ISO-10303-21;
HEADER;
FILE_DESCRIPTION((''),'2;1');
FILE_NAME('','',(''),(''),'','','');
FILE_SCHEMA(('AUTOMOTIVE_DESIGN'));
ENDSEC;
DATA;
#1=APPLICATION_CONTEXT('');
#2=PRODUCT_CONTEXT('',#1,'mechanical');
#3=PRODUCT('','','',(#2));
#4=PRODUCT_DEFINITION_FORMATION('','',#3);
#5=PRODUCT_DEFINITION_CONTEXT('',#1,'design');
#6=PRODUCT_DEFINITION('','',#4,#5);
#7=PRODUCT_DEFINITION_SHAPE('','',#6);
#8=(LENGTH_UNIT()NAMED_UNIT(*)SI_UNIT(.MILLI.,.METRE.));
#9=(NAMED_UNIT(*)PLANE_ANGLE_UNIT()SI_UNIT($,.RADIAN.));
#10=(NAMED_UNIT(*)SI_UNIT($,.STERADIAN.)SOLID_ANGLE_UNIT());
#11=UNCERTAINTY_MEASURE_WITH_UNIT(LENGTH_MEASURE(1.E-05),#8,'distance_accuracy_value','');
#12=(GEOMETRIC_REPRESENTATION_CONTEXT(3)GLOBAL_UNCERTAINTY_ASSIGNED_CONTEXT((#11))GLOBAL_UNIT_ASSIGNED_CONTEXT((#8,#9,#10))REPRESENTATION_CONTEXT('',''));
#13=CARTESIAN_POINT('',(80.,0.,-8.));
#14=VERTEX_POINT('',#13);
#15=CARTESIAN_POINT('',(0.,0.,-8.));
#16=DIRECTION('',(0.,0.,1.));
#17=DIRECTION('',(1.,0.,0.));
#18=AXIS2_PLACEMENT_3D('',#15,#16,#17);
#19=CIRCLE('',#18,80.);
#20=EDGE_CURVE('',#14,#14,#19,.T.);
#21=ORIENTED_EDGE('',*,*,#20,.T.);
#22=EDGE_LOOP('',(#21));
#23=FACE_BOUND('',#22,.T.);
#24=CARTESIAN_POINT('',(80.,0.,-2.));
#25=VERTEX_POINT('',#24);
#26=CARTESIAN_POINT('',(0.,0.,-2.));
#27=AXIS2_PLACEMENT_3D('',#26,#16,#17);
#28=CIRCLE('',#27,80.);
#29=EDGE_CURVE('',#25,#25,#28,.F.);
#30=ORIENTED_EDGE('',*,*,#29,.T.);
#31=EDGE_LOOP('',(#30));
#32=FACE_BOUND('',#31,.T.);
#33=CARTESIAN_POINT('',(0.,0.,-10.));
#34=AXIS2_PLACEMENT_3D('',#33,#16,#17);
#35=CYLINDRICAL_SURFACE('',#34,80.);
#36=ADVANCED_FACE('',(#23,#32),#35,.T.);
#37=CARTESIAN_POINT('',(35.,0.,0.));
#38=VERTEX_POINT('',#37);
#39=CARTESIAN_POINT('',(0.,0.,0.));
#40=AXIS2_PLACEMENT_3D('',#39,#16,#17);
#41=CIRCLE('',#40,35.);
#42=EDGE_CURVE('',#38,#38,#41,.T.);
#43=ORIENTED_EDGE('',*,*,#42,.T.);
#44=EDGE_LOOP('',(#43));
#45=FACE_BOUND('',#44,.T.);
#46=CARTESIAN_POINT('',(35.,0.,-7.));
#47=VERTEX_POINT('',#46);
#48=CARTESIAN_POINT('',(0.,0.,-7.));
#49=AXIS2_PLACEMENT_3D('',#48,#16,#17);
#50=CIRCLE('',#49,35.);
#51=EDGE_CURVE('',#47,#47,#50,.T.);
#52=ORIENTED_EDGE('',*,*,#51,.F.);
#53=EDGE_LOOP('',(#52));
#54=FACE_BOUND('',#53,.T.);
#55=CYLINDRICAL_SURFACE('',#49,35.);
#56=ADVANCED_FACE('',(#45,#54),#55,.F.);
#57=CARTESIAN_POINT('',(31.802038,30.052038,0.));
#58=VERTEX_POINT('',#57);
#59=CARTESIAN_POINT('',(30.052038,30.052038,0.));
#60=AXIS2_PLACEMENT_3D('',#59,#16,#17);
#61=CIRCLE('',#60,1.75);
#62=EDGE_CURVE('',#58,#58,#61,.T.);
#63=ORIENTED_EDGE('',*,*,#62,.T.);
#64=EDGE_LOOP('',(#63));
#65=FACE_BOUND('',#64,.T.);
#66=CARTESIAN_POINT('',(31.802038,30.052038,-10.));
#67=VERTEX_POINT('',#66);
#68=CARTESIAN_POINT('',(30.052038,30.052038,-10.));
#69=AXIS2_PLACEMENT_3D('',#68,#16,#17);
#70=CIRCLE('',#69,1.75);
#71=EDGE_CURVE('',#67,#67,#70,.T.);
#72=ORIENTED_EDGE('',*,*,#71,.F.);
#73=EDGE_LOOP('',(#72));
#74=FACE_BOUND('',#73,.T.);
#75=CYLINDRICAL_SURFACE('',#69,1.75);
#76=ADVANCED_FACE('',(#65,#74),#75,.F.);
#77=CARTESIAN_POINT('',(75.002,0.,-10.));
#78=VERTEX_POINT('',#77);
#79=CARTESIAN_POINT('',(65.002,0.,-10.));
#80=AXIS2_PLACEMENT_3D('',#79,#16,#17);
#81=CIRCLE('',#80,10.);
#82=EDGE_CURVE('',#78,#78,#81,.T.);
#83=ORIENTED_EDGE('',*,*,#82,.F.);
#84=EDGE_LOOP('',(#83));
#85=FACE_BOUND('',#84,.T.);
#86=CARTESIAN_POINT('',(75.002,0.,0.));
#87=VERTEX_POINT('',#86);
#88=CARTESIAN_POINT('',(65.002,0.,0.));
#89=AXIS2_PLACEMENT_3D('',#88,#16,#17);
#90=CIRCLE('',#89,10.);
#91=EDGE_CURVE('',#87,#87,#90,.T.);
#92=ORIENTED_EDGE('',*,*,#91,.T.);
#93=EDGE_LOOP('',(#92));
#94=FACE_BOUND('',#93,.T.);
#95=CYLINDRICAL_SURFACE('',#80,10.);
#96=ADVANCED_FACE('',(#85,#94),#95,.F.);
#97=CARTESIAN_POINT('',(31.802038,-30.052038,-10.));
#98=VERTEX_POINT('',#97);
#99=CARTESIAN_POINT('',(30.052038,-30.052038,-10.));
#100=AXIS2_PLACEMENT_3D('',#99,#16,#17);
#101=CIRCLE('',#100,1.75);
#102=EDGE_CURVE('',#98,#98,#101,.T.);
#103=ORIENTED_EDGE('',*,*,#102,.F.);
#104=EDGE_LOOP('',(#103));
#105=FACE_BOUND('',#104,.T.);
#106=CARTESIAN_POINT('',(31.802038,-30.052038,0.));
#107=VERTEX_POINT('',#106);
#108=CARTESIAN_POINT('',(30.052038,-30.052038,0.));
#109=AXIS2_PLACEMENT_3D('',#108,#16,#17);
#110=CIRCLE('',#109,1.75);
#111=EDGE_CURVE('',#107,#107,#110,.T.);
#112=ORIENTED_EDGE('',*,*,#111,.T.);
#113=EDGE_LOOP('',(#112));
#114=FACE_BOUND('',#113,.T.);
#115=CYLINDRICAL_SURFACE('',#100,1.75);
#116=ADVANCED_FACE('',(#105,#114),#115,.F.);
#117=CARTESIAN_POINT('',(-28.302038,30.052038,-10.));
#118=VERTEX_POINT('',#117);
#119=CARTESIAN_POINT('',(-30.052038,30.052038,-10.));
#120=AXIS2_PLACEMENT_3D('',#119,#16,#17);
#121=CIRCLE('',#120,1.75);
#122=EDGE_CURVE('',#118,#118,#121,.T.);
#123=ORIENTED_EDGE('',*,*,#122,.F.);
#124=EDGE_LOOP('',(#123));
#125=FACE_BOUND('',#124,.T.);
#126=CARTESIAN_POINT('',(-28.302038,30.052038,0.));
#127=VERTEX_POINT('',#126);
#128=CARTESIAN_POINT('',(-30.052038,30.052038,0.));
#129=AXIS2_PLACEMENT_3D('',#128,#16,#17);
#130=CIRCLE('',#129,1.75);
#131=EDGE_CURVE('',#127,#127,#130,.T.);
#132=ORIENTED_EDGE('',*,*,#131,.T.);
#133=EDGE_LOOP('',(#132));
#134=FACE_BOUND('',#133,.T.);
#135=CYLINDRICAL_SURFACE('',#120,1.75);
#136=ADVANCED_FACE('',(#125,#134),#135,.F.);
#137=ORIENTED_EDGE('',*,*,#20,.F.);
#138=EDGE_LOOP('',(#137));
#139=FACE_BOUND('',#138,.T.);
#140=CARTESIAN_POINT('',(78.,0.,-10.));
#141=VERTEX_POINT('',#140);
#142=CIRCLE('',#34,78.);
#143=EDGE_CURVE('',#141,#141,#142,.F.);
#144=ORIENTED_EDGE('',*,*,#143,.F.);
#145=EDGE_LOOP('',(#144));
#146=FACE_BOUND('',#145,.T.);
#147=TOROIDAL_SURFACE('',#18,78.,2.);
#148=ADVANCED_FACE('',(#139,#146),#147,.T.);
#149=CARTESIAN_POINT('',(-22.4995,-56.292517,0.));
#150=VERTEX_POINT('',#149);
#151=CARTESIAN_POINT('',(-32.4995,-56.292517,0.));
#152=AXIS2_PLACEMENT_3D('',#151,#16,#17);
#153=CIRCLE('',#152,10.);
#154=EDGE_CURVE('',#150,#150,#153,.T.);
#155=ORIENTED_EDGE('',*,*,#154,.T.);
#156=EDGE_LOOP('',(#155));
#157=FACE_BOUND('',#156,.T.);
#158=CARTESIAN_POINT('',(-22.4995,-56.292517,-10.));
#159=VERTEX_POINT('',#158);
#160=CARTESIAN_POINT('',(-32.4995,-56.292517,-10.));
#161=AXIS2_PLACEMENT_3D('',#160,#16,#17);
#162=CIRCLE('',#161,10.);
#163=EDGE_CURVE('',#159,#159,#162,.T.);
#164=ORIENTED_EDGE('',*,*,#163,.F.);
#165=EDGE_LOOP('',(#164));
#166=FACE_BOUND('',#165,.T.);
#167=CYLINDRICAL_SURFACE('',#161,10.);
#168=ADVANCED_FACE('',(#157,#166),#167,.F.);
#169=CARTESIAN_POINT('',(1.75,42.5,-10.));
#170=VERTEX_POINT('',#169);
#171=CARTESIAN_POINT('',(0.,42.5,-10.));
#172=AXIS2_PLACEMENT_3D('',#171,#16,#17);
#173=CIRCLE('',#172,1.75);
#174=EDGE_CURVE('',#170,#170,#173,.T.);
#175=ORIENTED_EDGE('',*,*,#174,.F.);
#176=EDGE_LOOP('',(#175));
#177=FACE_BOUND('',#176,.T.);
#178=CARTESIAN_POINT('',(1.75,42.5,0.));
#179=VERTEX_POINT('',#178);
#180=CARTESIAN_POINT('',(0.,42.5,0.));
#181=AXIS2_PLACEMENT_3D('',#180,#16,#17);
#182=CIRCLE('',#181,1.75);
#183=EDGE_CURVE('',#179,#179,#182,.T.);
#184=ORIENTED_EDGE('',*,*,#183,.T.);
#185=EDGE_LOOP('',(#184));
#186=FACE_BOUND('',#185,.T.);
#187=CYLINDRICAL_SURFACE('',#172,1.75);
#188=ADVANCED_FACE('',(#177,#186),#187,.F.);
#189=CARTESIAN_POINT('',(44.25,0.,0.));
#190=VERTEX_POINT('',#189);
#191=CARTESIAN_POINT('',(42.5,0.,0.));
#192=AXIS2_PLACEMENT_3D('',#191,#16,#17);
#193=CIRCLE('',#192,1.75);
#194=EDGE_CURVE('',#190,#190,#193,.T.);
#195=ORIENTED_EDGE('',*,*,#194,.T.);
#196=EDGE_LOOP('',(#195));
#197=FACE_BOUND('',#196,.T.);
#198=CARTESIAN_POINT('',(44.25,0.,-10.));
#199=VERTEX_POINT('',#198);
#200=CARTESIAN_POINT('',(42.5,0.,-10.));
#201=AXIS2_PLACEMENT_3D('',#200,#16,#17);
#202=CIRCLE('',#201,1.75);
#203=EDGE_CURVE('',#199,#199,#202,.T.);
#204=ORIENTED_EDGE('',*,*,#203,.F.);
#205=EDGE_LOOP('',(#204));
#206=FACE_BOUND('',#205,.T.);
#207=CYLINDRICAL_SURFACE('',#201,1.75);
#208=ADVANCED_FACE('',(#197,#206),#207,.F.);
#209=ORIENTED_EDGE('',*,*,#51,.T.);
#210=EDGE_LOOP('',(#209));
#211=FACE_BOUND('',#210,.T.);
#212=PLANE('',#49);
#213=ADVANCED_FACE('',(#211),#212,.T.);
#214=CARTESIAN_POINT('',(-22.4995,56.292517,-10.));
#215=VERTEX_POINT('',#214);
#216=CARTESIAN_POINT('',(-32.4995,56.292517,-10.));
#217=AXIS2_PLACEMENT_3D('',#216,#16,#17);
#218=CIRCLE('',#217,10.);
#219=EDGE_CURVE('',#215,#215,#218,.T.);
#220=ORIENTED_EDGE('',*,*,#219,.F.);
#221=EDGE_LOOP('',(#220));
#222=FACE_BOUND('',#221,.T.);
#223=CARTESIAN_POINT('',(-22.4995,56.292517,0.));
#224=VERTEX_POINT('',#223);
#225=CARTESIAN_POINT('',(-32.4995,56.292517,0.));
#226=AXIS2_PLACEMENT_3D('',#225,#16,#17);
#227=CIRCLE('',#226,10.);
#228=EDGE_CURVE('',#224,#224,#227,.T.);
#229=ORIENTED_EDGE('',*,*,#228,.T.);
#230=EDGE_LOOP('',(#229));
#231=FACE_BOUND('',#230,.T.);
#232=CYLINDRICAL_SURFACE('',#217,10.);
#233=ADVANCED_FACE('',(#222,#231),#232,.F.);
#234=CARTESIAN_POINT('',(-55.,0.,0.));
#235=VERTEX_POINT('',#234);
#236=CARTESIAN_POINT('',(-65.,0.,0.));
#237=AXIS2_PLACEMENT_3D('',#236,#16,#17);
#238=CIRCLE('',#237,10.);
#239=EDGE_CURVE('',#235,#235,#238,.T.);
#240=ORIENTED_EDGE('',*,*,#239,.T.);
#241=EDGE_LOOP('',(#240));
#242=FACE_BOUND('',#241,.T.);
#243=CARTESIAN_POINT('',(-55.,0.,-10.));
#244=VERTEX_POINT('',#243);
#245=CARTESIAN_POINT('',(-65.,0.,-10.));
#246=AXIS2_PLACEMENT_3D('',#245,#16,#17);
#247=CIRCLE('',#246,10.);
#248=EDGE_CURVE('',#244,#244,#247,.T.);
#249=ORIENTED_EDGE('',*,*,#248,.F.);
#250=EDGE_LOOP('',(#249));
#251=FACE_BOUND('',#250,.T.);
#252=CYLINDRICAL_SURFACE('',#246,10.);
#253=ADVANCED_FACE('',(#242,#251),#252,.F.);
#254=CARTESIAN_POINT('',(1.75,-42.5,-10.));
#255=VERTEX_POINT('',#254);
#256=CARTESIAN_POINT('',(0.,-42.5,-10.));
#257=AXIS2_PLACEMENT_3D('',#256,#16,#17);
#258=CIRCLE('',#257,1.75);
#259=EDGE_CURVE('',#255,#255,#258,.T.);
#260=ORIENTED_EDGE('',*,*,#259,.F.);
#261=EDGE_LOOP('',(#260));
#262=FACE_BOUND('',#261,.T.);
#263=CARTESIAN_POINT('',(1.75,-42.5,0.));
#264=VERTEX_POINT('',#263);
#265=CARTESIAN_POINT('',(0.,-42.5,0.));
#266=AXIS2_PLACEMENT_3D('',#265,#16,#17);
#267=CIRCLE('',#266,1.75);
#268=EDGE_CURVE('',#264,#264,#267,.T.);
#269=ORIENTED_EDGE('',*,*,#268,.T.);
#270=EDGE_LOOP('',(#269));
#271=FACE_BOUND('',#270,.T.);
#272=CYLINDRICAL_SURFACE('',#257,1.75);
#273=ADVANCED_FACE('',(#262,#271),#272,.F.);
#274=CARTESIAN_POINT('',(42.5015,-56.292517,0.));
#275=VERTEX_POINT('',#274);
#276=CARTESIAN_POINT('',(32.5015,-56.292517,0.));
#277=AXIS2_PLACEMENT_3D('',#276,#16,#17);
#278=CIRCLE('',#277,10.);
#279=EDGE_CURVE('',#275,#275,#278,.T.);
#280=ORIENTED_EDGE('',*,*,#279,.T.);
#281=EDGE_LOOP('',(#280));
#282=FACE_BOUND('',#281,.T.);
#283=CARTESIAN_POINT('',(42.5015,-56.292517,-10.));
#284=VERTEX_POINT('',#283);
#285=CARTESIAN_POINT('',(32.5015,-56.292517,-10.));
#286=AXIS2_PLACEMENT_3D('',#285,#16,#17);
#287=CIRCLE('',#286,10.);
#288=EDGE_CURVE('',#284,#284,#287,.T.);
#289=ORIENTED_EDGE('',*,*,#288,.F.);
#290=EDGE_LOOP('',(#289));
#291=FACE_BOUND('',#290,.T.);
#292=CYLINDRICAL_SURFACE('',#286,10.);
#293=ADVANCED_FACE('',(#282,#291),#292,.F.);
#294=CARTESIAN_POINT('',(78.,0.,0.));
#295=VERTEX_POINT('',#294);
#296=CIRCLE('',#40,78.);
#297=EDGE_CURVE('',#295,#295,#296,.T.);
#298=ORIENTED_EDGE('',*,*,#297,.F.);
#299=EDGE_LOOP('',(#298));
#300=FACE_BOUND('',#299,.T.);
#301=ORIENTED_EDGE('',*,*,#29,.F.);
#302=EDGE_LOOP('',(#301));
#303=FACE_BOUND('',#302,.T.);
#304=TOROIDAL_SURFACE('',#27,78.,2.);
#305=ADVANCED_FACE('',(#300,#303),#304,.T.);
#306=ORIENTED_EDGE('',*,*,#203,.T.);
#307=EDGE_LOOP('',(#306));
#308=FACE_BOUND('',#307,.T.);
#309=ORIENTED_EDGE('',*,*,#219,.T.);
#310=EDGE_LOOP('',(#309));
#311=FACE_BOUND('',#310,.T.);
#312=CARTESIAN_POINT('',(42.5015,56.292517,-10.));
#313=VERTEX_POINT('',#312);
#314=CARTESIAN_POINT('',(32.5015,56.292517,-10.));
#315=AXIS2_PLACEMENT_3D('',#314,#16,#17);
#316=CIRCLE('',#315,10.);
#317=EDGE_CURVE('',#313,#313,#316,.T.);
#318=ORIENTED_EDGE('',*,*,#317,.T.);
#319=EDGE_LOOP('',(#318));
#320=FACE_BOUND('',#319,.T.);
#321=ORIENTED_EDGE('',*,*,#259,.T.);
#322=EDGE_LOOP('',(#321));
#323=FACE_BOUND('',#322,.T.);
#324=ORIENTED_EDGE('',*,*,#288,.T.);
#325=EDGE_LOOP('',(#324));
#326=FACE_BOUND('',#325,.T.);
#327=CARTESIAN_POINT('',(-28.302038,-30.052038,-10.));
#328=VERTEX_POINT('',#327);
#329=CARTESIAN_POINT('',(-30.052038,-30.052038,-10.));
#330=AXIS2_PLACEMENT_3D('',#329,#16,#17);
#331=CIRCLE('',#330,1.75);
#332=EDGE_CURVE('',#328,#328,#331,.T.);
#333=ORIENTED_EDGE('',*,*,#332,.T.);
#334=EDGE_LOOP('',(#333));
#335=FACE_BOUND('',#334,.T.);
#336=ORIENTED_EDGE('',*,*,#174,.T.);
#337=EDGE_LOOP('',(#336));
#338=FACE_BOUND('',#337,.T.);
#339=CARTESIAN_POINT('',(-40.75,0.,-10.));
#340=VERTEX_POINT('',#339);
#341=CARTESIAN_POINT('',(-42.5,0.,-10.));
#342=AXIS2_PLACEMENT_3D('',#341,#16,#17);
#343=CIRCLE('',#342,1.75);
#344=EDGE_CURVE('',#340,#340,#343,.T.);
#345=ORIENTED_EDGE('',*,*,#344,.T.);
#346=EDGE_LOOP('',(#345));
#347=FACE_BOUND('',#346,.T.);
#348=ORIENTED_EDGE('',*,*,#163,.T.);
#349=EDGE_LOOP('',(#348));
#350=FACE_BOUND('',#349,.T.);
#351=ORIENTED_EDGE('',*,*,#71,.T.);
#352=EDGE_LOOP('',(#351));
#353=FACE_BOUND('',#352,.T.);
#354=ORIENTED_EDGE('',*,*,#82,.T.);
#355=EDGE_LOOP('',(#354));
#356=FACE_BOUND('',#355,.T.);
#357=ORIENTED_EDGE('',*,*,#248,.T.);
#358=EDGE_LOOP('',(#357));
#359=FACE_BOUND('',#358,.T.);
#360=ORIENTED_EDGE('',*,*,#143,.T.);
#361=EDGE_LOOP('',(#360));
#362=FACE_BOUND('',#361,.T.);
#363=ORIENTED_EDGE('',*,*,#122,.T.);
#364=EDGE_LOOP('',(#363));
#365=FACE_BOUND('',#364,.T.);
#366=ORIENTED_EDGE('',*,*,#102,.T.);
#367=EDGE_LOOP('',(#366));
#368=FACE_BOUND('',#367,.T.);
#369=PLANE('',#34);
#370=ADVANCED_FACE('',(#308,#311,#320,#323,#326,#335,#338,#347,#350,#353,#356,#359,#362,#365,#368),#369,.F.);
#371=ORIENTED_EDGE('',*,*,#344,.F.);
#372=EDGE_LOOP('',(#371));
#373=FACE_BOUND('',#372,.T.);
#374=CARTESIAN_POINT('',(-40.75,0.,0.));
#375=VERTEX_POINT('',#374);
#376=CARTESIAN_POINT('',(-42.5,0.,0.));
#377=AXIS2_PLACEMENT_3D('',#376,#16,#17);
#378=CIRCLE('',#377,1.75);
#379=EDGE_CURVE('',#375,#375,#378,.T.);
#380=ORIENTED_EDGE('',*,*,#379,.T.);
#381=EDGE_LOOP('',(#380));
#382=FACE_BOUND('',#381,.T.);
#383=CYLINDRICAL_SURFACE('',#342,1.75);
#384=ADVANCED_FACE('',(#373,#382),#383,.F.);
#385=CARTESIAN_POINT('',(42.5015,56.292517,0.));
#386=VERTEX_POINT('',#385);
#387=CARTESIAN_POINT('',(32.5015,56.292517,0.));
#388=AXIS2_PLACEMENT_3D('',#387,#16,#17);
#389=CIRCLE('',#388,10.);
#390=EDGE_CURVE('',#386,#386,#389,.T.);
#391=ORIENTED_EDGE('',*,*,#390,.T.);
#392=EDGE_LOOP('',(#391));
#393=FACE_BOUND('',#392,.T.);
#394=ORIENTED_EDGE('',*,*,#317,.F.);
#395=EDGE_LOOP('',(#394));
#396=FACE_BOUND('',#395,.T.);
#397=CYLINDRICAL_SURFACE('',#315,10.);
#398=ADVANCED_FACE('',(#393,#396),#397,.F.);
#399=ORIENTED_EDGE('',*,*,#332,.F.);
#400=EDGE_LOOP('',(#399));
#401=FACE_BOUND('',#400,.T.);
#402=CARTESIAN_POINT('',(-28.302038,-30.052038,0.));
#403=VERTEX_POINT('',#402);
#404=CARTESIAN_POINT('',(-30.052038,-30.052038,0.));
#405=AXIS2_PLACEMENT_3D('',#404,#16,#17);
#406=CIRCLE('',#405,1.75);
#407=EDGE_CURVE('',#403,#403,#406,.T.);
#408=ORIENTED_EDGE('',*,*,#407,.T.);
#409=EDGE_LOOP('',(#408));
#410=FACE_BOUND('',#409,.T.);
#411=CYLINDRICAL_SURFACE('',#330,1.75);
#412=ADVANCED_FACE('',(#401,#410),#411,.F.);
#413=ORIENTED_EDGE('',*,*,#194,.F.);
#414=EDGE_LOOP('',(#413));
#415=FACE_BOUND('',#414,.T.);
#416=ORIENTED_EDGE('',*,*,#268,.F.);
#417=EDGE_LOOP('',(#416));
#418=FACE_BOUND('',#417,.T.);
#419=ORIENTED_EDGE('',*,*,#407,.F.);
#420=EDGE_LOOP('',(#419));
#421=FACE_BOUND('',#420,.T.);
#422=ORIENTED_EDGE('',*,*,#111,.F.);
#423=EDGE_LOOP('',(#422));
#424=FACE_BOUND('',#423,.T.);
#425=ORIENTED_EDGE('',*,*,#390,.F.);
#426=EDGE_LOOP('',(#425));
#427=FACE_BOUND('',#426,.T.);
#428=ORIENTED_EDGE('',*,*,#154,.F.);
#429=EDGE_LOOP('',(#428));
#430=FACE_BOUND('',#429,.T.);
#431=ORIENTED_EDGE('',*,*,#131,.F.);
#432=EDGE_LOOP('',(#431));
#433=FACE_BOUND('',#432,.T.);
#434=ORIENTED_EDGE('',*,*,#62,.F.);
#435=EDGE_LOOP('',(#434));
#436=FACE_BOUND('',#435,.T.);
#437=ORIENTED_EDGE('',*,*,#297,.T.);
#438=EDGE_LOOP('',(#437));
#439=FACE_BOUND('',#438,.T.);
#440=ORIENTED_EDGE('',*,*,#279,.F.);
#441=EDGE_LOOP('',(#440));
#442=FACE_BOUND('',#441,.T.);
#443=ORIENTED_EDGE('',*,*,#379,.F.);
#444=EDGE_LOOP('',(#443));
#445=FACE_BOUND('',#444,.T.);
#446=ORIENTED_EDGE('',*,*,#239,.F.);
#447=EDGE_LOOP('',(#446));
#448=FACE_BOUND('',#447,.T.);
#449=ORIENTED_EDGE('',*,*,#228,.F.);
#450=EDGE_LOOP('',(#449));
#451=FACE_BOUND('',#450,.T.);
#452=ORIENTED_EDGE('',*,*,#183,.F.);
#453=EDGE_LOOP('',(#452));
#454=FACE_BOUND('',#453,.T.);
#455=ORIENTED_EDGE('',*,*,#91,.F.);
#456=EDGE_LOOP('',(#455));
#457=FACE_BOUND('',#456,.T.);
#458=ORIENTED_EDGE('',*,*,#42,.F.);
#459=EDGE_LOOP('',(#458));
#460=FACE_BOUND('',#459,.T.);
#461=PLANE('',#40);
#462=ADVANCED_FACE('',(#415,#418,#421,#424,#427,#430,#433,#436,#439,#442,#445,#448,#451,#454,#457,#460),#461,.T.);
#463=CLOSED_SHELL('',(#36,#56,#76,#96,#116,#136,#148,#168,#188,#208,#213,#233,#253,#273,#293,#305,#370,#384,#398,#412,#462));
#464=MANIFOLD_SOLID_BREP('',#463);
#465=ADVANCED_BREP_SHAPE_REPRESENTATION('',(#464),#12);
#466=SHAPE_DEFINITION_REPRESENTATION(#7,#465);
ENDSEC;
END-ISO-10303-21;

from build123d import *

# Parameters (mm, degrees)
SKETCH_3_R          = 80
EXTRUDE_1_DEPTH     = 10
SKETCH_4_R          = 35
CUT_EXTRUDE_1_DEPTH = 7
SKETCH_5_R          = 10
CUT_EXTRUDE_2_DEPTH = 10
SKETCH_6_R          = 1.75
CUT_EXTRUDE_3_DEPTH = 10
FILLET_1_R          = 2


with BuildPart() as part:
    # 草图3 → 凸台-拉伸1 (new body)
    with BuildSketch(Plane.XY):
        Circle(SKETCH_3_R)
    extrude(amount=-EXTRUDE_1_DEPTH)

    # 草图4 → 切除-拉伸1 (cut)
    with BuildSketch(Plane.XY):
        Circle(SKETCH_4_R)
    extrude(amount=-CUT_EXTRUDE_1_DEPTH, mode=Mode.SUBTRACT)

    # 草图5 → 切除-拉伸2 (cut)
    with BuildSketch(Plane.XY):
        with Locations((-65, 0)):
            Circle(SKETCH_5_R)
        with Locations((-32.4995, 56.292517271)):
            Circle(SKETCH_5_R)
        with Locations((32.5015, 56.292517271)):
            Circle(SKETCH_5_R)
        with Locations((65.002, 0)):
            Circle(SKETCH_5_R)
        with Locations((32.5015, -56.292517271)):
            Circle(SKETCH_5_R)
        with Locations((-32.4995, -56.292517271)):
            Circle(SKETCH_5_R)
    extrude(amount=-CUT_EXTRUDE_2_DEPTH, mode=Mode.SUBTRACT)

    # 草图6 → 切除-拉伸3 (cut)
    with BuildSketch(Plane.XY):
        with Locations((-42.5, 0)):
            Circle(SKETCH_6_R)
        with Locations((-30.0520382, 30.0520382)):
            Circle(SKETCH_6_R)
        with Locations((0, 42.5)):
            Circle(SKETCH_6_R)
        with Locations((30.0520382, 30.0520382)):
            Circle(SKETCH_6_R)
        with Locations((42.5, 0)):
            Circle(SKETCH_6_R)
        with Locations((30.0520382, -30.0520382)):
            Circle(SKETCH_6_R)
        with Locations((0, -42.5)):
            Circle(SKETCH_6_R)
        with Locations((-30.0520382, -30.0520382)):
            Circle(SKETCH_6_R)
    extrude(amount=-CUT_EXTRUDE_3_DEPTH, mode=Mode.SUBTRACT)

    # 圆角1
    fillet_1_edges = [part.edges().sort_by_distance(p)[0] for p in [
        (-80, 0, 0),
        (-80, 0, -10),
    ]]
    fillet(fillet_1_edges, radius=FILLET_1_R)


solid = part.part
